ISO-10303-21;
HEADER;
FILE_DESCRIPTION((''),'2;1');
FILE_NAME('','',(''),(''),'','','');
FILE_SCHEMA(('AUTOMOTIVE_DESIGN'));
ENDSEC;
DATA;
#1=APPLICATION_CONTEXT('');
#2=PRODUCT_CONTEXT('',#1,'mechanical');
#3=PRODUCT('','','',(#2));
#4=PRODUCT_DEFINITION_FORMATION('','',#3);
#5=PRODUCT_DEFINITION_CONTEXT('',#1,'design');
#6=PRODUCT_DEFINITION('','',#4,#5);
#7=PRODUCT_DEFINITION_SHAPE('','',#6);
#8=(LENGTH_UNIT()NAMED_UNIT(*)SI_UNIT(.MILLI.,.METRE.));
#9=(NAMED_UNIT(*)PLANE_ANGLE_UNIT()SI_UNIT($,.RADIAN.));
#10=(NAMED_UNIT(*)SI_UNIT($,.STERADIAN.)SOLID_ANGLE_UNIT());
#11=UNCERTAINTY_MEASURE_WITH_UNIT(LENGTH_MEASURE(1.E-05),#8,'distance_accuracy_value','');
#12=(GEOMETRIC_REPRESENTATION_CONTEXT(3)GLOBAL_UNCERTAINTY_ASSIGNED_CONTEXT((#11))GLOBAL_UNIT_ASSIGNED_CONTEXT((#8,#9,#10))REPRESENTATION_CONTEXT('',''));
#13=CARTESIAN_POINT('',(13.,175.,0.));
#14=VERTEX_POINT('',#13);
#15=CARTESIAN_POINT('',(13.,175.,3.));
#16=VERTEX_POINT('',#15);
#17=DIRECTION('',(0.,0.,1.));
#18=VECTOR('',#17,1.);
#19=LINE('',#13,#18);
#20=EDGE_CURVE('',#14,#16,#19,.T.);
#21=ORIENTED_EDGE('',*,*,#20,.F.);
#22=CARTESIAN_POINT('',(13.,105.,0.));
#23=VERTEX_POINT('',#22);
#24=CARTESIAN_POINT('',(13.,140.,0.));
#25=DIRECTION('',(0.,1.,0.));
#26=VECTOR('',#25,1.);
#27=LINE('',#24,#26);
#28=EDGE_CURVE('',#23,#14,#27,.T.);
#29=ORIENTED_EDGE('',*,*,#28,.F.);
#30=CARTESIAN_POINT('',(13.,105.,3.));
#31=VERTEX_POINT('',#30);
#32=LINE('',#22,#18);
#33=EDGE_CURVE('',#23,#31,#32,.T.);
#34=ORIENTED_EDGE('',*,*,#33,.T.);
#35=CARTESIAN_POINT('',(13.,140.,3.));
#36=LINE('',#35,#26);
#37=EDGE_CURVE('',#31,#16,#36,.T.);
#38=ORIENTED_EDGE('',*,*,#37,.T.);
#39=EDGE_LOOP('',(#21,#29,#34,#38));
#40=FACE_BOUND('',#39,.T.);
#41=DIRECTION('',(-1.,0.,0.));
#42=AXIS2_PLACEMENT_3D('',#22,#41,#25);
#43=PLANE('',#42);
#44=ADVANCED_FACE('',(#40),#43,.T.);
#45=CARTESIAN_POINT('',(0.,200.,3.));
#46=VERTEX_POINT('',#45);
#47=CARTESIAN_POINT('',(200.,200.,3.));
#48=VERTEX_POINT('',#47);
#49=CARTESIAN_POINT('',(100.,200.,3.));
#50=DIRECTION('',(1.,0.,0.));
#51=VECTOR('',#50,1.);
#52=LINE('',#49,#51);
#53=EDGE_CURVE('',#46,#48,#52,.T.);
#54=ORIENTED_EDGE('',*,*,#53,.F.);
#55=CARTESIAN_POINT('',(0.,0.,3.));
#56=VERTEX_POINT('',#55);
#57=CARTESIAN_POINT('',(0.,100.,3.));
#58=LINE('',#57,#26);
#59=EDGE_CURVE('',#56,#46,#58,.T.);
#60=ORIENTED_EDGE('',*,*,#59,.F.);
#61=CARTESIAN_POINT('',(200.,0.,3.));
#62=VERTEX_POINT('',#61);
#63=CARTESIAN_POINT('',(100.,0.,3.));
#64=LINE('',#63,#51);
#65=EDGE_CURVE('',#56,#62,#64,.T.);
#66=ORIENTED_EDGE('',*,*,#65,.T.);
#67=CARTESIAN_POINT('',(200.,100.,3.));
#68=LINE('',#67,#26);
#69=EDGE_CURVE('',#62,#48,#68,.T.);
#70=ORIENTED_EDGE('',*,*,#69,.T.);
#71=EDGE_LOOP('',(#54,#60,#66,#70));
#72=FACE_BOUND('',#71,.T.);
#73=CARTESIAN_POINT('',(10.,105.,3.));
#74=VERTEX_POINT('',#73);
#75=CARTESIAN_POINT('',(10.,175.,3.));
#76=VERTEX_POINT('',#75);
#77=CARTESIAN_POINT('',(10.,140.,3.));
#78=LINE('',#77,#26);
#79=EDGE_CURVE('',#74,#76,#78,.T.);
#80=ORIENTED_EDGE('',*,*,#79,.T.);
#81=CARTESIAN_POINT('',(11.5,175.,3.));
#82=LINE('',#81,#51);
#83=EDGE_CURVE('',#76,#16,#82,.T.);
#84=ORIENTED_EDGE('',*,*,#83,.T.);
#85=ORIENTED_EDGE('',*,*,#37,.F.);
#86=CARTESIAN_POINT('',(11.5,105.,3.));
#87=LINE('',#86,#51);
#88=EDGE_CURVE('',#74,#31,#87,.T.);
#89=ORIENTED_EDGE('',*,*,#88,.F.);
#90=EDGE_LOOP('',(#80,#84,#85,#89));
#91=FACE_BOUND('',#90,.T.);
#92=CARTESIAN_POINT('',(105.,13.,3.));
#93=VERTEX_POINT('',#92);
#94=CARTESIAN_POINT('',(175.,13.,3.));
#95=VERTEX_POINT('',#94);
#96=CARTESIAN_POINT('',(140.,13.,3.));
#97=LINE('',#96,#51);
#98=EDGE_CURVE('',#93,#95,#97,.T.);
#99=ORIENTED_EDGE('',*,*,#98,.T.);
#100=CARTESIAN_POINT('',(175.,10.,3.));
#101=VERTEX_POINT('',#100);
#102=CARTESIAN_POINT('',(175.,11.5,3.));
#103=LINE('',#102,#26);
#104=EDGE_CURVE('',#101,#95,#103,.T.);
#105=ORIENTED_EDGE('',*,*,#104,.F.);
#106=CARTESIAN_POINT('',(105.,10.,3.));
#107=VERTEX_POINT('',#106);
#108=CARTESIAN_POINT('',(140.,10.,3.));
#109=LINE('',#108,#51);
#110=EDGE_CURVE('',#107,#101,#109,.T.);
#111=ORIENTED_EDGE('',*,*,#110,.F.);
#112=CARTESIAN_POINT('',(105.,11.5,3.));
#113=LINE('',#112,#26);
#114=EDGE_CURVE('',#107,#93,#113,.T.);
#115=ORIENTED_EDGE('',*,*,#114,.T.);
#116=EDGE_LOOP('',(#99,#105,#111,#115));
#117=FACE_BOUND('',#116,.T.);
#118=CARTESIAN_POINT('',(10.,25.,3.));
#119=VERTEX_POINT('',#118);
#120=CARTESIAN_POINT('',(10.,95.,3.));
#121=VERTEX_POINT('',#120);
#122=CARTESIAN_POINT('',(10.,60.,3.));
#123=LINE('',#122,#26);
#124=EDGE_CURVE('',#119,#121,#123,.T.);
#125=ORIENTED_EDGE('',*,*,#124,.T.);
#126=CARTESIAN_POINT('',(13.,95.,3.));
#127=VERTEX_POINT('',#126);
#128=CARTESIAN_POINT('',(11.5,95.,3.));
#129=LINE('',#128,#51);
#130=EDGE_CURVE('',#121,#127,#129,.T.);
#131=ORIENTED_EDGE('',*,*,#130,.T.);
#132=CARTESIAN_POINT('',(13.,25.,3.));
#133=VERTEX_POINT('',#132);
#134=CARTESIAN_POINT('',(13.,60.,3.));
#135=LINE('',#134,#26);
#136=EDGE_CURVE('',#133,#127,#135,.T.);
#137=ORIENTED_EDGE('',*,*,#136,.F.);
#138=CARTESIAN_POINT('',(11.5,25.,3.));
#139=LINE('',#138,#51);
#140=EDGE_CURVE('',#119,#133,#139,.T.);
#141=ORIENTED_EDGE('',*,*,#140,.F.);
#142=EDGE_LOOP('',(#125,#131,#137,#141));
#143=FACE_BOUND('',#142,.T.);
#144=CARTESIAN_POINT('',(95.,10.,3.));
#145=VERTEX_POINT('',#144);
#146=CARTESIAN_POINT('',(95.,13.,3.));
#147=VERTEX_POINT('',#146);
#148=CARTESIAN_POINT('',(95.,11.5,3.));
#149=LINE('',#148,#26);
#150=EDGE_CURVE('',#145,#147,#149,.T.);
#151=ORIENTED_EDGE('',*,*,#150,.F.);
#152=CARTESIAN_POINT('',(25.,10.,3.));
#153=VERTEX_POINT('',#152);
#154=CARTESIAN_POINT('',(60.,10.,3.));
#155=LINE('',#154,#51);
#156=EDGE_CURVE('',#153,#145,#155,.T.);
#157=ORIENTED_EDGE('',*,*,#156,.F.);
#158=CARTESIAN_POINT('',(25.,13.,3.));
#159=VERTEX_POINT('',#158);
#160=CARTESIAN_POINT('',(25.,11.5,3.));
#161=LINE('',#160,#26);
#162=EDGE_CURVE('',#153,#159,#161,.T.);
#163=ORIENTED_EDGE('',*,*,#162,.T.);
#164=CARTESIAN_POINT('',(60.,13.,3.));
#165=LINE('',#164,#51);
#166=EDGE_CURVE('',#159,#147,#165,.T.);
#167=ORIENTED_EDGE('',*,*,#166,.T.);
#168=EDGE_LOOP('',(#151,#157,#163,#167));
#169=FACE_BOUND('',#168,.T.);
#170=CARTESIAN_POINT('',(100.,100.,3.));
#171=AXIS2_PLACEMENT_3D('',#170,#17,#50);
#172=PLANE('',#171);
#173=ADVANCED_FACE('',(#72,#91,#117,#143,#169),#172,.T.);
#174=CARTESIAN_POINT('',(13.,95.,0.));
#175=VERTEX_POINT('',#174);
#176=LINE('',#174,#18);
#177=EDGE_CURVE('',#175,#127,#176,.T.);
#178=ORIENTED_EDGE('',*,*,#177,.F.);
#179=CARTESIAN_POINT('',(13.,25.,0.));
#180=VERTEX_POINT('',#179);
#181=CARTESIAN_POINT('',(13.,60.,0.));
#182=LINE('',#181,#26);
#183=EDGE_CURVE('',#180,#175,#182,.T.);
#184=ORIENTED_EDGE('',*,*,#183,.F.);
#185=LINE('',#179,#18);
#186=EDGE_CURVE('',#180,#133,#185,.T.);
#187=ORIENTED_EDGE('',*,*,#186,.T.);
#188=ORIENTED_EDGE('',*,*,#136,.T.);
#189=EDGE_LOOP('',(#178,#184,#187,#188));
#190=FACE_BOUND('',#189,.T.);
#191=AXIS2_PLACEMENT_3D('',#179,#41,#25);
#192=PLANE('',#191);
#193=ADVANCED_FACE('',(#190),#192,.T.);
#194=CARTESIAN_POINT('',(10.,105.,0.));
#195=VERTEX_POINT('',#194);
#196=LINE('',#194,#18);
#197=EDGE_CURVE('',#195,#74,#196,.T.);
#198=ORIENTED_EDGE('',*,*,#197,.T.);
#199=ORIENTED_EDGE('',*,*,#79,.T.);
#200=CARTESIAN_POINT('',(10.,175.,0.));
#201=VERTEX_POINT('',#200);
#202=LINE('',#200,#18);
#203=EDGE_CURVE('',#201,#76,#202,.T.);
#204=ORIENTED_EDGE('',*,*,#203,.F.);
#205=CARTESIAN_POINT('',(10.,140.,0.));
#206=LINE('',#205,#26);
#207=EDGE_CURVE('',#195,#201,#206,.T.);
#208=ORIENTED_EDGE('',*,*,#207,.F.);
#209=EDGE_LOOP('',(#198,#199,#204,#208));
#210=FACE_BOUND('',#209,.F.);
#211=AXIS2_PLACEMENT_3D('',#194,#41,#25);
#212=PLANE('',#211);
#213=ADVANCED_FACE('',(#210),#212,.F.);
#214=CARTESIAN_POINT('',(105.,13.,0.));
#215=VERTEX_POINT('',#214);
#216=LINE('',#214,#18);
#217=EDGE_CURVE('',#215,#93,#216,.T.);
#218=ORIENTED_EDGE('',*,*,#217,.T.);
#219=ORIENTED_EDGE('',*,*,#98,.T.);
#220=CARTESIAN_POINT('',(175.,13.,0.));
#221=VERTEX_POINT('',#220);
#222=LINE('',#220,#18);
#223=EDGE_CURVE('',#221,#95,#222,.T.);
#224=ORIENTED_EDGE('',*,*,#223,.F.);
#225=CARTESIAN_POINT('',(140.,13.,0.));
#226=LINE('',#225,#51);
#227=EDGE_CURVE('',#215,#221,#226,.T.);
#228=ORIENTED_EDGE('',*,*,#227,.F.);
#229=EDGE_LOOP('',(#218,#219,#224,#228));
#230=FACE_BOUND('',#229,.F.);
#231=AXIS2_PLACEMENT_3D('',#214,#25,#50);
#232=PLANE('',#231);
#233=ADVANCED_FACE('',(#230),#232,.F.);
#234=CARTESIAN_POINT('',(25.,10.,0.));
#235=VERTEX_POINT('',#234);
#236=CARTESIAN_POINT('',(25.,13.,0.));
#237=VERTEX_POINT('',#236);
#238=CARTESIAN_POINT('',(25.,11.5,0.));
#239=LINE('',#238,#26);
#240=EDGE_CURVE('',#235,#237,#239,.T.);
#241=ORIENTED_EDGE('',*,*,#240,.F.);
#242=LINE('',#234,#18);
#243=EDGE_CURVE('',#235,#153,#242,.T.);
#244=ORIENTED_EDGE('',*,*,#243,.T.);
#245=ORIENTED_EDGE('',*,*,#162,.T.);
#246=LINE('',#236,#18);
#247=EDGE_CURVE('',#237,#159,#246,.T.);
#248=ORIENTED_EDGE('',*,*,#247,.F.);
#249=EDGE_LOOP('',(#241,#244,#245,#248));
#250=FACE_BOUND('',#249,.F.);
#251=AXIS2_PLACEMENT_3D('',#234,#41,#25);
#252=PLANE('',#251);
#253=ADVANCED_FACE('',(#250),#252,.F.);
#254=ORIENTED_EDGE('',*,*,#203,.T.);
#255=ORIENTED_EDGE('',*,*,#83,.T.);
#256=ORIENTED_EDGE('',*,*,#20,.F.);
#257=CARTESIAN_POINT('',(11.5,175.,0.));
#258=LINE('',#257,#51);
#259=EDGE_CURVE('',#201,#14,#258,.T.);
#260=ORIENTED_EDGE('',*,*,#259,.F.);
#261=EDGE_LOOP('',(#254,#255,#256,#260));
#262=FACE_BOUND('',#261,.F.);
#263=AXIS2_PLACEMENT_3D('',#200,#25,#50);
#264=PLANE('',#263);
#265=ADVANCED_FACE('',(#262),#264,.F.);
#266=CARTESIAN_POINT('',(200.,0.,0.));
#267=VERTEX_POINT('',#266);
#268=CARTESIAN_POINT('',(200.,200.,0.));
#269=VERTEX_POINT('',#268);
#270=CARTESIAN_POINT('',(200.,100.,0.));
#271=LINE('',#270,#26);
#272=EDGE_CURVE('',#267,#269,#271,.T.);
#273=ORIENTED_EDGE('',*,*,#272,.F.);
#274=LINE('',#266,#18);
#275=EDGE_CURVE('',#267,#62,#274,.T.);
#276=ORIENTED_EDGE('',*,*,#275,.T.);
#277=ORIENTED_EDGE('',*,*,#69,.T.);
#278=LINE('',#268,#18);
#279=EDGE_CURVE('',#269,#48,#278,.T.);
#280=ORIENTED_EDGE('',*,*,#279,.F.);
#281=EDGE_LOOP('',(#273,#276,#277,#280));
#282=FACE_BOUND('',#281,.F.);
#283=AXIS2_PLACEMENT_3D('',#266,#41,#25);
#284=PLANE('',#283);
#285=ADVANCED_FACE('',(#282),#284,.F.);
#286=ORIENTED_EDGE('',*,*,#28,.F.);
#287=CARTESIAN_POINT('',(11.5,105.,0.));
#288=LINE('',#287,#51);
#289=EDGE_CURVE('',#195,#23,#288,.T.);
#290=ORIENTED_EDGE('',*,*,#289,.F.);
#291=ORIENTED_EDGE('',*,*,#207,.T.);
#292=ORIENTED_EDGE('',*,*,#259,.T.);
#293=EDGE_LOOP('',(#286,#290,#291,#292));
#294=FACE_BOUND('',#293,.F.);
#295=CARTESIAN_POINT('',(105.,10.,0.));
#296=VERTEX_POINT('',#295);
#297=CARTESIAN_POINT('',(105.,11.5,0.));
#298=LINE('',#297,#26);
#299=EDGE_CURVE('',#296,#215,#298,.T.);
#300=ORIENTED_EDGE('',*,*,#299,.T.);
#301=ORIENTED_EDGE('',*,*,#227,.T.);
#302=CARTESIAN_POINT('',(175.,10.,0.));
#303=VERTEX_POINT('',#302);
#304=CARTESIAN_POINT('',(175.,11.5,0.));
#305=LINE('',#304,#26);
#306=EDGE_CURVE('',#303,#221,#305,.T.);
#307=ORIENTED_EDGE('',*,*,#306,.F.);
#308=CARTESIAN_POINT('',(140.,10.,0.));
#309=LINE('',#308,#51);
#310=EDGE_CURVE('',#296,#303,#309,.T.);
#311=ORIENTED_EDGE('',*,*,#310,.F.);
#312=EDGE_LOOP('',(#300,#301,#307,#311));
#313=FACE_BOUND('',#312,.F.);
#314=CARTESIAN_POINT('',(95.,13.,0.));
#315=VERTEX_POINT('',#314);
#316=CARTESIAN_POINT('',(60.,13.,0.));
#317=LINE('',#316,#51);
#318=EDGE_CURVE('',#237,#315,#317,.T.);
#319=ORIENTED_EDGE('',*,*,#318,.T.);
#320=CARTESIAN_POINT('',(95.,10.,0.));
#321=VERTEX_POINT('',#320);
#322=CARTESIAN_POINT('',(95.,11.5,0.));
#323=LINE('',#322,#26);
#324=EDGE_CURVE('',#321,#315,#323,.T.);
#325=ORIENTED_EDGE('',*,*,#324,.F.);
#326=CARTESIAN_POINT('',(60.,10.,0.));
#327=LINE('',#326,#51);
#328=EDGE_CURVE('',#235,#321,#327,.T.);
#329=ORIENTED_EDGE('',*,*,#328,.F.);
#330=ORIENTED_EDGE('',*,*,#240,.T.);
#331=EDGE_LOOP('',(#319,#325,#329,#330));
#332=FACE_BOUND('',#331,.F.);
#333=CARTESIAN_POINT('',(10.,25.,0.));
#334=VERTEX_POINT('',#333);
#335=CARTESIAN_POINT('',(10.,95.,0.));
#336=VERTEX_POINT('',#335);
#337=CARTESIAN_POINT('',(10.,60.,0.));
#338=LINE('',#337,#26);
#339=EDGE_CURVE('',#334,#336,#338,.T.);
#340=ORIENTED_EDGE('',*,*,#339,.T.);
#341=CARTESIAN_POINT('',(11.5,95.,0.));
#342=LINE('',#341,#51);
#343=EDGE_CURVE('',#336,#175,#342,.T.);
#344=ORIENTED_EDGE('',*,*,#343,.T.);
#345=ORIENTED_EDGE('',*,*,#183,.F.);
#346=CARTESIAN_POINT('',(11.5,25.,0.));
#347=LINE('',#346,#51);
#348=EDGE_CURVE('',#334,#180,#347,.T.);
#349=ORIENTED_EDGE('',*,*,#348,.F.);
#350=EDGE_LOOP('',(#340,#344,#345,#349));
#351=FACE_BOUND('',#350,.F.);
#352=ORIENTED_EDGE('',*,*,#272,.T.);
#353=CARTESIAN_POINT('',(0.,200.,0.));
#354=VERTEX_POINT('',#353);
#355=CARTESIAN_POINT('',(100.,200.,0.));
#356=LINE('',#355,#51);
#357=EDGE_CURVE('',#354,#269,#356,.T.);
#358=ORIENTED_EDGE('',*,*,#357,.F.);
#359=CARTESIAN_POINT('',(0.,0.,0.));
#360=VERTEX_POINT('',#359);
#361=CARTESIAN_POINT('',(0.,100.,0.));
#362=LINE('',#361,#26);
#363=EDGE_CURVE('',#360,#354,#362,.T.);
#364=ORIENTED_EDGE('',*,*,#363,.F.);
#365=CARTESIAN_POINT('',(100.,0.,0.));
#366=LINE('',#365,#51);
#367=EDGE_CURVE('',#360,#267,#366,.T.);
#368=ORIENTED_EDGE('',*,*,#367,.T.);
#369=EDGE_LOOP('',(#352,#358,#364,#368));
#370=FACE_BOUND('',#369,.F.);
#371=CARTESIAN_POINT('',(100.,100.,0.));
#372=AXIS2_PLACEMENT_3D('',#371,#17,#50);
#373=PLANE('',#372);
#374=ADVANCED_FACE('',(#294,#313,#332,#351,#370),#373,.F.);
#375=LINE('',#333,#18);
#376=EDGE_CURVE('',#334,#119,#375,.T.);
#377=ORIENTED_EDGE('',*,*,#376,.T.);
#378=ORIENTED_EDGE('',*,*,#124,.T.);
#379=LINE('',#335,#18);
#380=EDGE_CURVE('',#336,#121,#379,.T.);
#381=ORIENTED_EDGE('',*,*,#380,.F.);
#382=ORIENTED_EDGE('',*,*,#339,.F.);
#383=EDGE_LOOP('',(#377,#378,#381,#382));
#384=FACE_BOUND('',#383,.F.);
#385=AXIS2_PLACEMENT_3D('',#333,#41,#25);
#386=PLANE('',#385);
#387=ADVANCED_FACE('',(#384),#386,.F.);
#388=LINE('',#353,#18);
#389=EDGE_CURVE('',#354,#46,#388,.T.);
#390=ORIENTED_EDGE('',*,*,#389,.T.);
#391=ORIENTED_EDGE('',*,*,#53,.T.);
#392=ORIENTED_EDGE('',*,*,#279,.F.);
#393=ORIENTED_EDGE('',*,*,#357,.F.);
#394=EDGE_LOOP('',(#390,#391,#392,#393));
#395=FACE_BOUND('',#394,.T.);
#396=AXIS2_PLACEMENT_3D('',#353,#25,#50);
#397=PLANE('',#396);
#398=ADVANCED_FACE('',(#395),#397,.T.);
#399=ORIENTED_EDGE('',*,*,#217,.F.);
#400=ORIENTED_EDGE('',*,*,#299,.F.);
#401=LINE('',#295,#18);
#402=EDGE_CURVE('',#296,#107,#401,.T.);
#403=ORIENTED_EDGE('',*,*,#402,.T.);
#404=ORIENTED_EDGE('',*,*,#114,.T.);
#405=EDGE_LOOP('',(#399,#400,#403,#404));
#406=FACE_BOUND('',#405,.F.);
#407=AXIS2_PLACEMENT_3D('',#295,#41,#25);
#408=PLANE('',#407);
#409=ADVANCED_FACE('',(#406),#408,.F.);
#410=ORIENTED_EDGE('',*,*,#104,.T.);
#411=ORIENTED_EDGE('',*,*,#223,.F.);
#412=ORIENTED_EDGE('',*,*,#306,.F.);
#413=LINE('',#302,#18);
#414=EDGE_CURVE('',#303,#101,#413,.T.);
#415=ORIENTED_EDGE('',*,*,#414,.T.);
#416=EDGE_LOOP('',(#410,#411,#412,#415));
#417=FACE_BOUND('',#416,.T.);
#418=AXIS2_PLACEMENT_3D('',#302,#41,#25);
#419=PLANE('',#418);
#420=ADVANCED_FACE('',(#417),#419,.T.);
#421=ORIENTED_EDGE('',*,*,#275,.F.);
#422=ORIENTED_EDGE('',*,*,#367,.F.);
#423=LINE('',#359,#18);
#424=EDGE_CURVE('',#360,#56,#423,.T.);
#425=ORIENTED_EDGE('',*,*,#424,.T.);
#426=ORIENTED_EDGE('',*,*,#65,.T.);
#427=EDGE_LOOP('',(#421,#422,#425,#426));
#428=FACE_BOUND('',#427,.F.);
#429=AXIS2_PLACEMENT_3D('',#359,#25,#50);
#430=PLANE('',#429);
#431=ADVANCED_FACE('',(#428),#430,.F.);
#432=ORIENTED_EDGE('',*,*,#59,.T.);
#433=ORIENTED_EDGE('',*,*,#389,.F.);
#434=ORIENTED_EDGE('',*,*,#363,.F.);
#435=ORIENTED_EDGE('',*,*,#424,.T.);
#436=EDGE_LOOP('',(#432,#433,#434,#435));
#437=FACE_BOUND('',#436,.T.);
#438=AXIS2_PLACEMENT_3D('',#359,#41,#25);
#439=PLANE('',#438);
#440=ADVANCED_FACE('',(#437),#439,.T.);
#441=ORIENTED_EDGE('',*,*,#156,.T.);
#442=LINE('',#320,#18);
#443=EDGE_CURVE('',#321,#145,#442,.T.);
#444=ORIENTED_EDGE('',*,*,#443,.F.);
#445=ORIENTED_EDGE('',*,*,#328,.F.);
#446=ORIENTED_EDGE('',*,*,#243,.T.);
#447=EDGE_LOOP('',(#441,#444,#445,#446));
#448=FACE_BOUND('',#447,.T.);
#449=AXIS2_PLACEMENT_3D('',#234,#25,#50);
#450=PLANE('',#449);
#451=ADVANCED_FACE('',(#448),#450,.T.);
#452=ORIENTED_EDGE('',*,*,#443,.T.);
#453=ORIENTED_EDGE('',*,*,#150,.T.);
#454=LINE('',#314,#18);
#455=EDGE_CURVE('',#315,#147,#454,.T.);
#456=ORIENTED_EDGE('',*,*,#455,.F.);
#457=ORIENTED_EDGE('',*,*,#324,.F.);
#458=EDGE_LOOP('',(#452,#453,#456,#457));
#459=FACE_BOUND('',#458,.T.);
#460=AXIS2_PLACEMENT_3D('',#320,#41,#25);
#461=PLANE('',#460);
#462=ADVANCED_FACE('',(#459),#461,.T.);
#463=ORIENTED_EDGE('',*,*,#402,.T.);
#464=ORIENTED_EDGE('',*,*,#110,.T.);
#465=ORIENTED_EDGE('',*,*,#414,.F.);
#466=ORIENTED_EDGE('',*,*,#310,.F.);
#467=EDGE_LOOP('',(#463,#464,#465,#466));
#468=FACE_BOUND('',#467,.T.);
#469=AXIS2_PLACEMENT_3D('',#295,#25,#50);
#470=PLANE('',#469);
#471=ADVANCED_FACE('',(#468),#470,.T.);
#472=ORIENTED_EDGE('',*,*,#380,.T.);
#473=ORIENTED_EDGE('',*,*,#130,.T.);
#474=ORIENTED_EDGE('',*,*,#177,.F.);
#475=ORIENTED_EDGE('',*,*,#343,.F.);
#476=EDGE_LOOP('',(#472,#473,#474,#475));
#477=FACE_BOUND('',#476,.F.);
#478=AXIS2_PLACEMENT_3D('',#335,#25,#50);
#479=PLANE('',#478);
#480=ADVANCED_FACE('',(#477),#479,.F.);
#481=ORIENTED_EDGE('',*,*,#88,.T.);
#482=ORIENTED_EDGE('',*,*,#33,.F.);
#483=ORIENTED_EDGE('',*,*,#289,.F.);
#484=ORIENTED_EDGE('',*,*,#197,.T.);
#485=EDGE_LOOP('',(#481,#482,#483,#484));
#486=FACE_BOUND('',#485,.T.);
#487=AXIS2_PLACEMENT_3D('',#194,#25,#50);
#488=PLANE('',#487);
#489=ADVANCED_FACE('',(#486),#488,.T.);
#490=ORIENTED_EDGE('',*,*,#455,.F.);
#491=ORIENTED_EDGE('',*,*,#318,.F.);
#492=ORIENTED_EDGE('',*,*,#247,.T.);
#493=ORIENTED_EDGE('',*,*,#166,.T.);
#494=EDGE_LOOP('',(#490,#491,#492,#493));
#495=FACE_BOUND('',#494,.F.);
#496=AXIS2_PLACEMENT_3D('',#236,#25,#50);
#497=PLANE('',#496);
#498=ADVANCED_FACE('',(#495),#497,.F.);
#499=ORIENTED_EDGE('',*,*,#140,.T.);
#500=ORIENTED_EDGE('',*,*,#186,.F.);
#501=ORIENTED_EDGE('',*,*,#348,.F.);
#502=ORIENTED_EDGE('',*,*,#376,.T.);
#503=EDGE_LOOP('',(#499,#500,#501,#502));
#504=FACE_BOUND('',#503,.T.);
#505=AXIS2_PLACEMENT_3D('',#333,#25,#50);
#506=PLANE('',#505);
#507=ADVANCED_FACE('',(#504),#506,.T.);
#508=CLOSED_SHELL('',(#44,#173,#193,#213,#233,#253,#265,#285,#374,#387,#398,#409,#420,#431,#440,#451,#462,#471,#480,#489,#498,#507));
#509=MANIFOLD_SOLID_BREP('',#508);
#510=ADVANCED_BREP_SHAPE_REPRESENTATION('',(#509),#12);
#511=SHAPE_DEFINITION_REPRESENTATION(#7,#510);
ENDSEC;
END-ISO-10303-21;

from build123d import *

# Parameters (mm, degrees)
F0_W     = 200
F0_H     = 200
F0_W_2   = 70
F0_H_2   = 3
F0_W_3   = 3
F0_H_3   = 70
F1_DEPTH = 3


with BuildPart() as f1:
    # F0 (on Top) → F1 (new body)
    with BuildSketch(Plane.XY):
        with Locations((100, 100)):
            Rectangle(F0_W, F0_H)
        with Locations((60, 11.5)):
            Rectangle(F0_W_2, F0_H_2, mode=Mode.SUBTRACT)
        with Locations((11.5, 60)):
            Rectangle(F0_W_3, F0_H_3, mode=Mode.SUBTRACT)
        with Locations((140, 11.5)):
            Rectangle(F0_W_2, F0_H_2, mode=Mode.SUBTRACT)
        with Locations((11.5, 140)):
            Rectangle(F0_W_3, F0_H_3, mode=Mode.SUBTRACT)
    extrude(amount=F1_DEPTH)


solid = f1.part
